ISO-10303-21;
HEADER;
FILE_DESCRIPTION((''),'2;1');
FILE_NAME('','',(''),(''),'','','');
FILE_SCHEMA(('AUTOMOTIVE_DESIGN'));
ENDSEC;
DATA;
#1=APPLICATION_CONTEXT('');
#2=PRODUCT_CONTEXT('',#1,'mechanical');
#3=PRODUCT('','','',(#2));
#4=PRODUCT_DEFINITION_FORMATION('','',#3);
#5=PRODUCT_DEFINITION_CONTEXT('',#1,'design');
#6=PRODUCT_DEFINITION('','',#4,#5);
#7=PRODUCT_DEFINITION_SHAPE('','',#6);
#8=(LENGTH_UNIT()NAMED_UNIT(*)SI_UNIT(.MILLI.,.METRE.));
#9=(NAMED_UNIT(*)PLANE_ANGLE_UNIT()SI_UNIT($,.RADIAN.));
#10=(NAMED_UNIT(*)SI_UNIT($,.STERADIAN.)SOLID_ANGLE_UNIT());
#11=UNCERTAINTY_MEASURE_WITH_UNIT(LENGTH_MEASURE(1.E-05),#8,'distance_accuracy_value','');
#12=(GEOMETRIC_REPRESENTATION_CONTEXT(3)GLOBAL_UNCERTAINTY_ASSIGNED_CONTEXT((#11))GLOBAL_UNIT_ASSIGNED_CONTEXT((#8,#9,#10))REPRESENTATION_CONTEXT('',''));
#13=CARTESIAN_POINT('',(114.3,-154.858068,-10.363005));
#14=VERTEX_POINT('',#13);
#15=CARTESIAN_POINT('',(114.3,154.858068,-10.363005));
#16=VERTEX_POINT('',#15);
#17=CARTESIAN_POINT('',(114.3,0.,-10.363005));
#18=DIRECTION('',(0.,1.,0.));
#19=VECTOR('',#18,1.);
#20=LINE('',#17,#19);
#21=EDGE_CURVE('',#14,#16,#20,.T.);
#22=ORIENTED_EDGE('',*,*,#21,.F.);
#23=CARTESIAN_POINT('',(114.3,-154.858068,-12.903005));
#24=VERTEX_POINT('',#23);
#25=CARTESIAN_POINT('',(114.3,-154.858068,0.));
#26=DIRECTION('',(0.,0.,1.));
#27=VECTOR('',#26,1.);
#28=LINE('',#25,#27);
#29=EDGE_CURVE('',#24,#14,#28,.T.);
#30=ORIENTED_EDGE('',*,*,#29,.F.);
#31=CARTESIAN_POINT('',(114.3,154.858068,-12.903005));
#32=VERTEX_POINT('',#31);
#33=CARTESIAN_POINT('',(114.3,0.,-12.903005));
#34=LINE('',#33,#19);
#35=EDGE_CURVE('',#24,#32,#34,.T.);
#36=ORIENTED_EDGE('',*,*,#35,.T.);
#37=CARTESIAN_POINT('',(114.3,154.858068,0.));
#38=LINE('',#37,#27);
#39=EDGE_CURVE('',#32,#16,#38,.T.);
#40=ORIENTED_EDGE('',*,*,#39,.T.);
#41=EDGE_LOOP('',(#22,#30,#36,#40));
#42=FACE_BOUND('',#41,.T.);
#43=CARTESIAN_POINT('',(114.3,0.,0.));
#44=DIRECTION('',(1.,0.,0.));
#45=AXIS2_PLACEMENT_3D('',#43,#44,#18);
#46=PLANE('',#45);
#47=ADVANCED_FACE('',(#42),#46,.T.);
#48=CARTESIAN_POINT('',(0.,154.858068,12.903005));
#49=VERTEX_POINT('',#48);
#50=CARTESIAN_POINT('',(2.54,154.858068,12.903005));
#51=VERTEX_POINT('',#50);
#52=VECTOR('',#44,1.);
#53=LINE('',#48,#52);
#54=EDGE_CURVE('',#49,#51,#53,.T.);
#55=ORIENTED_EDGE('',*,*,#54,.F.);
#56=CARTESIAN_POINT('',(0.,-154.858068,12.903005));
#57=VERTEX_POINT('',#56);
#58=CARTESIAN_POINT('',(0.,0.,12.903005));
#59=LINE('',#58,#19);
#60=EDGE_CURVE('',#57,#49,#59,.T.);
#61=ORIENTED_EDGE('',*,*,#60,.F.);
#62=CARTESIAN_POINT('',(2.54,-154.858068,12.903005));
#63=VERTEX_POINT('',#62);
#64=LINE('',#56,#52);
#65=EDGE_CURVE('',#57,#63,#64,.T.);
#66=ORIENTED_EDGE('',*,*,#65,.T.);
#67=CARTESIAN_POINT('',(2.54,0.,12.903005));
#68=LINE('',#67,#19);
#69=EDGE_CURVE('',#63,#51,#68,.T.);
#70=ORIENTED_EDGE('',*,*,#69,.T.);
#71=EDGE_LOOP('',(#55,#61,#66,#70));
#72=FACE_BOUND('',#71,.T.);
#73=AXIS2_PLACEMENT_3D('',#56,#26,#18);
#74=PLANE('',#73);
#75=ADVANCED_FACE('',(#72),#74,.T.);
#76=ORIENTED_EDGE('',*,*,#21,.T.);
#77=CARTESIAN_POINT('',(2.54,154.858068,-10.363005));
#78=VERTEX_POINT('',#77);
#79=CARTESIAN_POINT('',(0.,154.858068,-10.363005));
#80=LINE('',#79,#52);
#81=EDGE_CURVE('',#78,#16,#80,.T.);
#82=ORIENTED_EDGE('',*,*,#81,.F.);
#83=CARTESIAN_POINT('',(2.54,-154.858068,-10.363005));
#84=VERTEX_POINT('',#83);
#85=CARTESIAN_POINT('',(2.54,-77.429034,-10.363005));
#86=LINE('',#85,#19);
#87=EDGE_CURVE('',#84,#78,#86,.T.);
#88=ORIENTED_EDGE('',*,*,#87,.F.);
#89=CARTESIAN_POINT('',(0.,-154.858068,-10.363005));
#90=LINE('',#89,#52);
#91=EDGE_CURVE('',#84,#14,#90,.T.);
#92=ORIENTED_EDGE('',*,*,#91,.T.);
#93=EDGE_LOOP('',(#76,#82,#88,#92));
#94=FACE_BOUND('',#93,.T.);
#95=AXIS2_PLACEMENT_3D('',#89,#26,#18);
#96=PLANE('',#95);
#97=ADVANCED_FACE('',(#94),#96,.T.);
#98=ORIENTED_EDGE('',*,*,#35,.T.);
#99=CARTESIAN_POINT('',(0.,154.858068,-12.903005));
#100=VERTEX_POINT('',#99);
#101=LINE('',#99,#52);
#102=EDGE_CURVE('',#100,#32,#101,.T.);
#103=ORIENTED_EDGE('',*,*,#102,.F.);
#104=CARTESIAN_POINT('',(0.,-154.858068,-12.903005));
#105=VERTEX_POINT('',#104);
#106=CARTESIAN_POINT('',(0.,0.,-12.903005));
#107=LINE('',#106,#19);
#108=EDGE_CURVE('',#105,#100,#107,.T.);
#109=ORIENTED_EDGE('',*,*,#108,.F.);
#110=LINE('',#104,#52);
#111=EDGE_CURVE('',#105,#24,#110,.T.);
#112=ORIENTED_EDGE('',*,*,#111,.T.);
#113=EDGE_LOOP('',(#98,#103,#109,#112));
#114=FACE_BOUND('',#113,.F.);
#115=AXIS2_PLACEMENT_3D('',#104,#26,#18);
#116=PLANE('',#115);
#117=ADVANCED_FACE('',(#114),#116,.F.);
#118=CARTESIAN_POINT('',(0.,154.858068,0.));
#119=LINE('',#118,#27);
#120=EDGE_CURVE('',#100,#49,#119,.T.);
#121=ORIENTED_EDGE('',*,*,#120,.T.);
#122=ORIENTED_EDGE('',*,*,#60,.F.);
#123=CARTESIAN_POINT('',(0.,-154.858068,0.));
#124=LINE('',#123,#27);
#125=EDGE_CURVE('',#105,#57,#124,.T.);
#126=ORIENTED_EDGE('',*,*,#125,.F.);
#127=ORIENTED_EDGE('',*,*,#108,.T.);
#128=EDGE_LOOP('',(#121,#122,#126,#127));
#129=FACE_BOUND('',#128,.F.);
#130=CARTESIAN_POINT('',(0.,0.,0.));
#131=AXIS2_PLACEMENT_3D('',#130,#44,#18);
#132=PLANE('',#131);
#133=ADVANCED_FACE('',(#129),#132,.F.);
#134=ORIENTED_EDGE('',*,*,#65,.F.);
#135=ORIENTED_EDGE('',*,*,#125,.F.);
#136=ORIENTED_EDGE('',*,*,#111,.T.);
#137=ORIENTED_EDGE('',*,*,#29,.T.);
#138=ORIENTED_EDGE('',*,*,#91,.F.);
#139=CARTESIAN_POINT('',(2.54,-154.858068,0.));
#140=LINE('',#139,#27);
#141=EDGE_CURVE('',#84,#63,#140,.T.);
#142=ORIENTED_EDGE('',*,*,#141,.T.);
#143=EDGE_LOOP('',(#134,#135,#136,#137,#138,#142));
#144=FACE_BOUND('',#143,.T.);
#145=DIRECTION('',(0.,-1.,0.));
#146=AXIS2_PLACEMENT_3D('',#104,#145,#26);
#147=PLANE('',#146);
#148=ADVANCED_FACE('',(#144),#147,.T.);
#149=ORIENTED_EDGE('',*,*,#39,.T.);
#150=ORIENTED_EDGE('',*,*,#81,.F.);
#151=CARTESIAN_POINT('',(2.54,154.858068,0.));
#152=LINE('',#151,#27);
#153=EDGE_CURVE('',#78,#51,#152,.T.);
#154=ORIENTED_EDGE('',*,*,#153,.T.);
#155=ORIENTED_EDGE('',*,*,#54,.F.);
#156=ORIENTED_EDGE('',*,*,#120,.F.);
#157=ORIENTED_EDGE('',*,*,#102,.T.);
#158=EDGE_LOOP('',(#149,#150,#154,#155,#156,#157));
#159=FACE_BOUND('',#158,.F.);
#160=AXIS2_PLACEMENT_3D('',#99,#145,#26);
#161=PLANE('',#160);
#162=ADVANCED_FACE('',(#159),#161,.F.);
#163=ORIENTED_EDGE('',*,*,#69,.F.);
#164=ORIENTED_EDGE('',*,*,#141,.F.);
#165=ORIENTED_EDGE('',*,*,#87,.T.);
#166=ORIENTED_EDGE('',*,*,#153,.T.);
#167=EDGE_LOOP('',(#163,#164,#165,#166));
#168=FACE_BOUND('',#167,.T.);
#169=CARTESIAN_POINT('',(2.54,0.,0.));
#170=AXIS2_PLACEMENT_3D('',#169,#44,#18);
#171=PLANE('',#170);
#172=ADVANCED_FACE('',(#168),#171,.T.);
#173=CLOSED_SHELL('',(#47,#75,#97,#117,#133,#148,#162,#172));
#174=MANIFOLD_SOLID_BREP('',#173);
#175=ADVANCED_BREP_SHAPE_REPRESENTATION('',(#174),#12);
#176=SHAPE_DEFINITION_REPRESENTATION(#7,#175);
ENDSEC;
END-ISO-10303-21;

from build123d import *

# Parameters (mm, degrees)
F0_W     = 309.716136
F0_H     = 25.80601
F1_DEPTH = 114.3
F2_T     = -2.54


with BuildPart() as f1:
    # F0 (on Right) → F1 (new body)
    with BuildSketch(Plane.YZ):
        Rectangle(F0_W, F0_H)
    extrude(amount=F1_DEPTH)

    # F2
    f2_openings = [f1.faces().sort_by_distance(p)[0] for p in [
        (57.15, -154.858068, 0),
        (57.15, 0, 12.903005),
        (114.3, 0, 0),
        (57.15, 154.858068, 0),
    ]]
    offset(amount=F2_T, openings=f2_openings)


solid = f1.part
